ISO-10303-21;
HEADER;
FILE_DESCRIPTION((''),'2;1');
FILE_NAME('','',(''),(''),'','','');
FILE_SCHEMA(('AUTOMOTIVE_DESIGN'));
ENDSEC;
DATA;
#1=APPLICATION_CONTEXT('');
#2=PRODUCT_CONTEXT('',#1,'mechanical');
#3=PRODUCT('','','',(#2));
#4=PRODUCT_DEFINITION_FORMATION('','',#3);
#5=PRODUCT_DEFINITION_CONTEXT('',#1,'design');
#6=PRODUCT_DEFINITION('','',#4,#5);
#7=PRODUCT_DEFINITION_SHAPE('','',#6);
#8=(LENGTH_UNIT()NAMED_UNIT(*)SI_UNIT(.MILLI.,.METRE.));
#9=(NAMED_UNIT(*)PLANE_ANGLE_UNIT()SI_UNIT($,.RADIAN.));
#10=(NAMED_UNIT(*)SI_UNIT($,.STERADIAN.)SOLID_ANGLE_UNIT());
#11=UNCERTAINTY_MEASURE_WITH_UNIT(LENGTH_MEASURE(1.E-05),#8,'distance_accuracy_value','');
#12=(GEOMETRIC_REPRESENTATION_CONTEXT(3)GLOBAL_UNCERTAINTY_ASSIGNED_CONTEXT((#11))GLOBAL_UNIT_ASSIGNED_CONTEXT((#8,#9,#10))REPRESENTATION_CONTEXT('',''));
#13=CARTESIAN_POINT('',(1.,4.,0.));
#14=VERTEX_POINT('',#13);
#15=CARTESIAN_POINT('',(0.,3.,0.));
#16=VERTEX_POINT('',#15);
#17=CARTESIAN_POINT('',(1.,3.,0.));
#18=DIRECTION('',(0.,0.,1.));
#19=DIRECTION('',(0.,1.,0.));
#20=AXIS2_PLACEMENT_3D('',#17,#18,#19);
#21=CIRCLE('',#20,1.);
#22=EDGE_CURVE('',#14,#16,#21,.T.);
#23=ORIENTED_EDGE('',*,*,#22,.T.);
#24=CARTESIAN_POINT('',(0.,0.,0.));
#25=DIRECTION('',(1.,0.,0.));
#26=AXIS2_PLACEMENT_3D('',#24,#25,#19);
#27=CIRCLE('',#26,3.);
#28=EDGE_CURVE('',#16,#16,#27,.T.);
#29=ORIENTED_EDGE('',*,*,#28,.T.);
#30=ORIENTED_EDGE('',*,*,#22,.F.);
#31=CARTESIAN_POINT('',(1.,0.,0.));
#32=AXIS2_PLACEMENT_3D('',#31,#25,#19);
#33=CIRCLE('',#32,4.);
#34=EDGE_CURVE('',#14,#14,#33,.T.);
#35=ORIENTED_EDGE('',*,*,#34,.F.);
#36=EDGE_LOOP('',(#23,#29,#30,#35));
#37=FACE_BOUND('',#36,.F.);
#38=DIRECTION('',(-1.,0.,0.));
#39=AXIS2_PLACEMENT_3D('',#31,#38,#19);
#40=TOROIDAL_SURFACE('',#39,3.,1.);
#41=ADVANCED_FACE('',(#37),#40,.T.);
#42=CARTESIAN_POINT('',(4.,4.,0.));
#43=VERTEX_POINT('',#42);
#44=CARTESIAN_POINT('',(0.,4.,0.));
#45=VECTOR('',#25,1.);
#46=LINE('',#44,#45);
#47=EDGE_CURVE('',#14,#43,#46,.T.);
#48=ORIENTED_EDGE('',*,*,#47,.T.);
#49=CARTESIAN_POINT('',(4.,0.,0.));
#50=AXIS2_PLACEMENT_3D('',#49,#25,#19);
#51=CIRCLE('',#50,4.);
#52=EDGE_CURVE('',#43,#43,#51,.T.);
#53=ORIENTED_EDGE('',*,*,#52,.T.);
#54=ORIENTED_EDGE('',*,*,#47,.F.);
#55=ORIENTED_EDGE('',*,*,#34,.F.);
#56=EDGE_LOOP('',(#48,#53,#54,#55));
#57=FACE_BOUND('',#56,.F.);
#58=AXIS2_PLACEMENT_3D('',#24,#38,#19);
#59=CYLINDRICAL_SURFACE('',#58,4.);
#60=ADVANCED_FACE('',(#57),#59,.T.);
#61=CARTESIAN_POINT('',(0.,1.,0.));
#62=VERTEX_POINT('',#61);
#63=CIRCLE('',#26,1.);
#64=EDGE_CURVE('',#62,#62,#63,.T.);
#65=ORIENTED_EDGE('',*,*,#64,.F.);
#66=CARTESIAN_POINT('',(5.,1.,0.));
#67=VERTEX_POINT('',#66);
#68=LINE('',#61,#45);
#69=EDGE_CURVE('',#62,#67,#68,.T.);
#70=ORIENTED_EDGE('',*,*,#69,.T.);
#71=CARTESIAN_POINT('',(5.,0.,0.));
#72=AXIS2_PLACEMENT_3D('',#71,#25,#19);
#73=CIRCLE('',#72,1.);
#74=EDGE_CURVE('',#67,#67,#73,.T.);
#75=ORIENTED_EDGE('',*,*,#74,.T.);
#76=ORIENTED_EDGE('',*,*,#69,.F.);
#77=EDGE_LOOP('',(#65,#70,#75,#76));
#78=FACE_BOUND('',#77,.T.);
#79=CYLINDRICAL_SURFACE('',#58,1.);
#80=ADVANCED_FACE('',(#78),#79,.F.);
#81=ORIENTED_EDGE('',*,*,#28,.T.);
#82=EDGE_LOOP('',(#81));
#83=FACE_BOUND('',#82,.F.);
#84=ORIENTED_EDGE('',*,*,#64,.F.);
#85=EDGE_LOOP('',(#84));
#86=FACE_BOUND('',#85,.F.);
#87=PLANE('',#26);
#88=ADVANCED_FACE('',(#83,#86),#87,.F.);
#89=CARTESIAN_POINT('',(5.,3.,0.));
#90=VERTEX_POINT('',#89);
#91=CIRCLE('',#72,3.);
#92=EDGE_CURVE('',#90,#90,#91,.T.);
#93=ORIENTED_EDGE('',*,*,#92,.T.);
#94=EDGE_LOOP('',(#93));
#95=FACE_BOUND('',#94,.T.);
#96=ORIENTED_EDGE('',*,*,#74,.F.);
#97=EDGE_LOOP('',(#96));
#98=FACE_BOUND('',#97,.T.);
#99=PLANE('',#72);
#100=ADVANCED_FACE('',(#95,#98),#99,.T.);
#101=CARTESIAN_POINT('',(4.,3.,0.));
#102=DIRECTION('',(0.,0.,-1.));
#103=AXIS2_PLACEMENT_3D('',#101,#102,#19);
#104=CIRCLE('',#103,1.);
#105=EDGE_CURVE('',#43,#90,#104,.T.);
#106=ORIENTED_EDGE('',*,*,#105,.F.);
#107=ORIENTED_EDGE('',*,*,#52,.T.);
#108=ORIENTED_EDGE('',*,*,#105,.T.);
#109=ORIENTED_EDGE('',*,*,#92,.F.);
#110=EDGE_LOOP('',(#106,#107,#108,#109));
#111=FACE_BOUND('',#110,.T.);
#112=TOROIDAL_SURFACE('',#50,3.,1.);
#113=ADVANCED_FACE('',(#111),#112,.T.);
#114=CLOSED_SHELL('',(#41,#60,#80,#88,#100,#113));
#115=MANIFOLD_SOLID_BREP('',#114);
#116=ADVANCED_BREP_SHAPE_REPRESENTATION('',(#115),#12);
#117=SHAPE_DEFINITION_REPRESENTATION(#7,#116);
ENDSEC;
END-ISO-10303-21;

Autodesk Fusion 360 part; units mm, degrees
sketch "Sketch1" plane through (0, 0, 0) normal (1, 0, 0) x (0, 1, 0)
  circle A0 centre (0, 0) radius 1
  circle A1 centre (0, 0) radius 4
  dimension "d1" = 2
  dimension "d2" = 8
extrude "Extrude1" add sketch "Sketch1" along normal blind 5
fillet "Fillet1" radius 1 1 edges at (0, -3.7293, -1.4465)
fillet "Fillet2" radius 1 1 edges at (5, -3.7293, -1.4465)
